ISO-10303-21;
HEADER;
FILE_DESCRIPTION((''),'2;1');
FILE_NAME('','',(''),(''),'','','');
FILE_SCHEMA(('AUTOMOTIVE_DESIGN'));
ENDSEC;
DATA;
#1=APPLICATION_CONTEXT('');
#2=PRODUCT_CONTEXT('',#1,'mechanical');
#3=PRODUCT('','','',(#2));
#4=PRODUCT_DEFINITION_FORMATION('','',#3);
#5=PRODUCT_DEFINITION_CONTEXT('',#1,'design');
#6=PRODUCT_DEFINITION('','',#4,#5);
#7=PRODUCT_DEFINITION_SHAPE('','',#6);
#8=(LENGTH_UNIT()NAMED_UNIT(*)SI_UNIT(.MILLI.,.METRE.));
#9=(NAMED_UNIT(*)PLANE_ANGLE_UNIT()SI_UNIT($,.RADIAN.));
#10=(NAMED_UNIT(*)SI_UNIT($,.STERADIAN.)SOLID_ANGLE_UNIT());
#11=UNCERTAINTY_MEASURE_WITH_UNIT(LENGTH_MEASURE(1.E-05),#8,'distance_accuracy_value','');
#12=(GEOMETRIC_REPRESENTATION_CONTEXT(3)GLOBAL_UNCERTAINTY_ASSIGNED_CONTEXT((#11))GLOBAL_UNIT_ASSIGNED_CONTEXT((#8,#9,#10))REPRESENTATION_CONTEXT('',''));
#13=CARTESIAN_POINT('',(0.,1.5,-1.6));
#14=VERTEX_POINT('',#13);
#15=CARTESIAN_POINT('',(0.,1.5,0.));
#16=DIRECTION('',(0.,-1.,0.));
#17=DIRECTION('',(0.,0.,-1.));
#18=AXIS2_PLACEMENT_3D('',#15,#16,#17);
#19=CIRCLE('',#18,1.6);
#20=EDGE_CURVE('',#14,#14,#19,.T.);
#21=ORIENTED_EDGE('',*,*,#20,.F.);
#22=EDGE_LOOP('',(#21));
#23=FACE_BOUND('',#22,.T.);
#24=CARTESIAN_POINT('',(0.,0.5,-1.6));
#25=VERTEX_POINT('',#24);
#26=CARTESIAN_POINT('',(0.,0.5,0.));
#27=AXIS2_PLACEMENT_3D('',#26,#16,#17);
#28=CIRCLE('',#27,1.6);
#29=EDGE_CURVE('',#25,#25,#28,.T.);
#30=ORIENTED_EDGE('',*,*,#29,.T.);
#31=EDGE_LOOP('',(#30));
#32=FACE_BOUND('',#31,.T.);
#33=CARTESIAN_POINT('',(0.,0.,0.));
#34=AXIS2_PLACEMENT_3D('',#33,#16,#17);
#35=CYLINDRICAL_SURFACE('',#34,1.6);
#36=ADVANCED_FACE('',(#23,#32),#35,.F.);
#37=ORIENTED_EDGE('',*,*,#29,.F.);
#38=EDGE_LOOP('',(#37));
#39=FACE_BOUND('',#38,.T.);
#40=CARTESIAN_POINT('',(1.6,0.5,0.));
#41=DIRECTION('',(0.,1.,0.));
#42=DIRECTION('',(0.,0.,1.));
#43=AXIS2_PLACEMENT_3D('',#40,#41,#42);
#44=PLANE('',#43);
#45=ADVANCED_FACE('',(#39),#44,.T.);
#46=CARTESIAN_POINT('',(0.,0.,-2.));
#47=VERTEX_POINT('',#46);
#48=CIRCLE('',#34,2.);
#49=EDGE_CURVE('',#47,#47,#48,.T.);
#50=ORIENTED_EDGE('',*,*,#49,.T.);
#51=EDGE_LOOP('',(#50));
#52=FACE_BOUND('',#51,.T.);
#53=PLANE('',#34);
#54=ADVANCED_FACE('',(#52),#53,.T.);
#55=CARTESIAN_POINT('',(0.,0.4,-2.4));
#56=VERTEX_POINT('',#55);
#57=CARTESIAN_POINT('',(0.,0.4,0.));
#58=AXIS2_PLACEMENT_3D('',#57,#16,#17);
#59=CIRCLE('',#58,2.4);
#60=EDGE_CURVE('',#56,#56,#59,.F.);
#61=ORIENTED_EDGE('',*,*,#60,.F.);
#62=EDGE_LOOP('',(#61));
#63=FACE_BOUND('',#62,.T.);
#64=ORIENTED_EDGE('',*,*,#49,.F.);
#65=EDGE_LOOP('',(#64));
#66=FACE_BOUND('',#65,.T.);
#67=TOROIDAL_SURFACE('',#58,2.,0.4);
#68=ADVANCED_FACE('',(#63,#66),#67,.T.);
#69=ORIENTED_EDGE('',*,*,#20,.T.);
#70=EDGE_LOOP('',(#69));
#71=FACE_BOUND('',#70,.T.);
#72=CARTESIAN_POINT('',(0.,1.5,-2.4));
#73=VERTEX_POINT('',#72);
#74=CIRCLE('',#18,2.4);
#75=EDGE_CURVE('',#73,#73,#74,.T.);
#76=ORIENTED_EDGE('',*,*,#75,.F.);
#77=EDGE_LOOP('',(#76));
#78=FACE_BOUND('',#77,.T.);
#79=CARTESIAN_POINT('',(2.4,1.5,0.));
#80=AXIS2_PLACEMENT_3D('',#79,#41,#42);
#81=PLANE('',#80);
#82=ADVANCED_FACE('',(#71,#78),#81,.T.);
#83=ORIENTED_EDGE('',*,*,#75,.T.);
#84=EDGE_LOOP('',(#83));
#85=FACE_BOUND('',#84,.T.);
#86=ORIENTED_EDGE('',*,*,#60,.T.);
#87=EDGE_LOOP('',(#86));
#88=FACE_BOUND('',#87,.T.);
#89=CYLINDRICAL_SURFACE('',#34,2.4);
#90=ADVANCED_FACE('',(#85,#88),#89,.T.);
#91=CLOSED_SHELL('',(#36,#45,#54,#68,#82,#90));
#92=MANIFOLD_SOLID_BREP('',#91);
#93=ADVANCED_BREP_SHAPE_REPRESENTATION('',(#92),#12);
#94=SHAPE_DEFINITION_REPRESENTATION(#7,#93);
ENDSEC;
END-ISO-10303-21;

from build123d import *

# Parameters (mm, degrees)
FILLET1_R = 0.4


with BuildPart() as part:
    # Sketch1 → Revolve1 (revolve)
    with BuildSketch(Plane.XY, mode=Mode.PRIVATE) as revolve1_sk:
        Polygon((0, 0), (2.4, 0), (2.4, 1.5), (1.6, 1.5), (1.6, 0.5), (0, 0.5), align=None)
    revolve(revolve1_sk.sketch.rotate(Axis((0, 0, 0), (0, 1, 0)), 90), axis=Axis((0, 0, 0), (0, 1, 0)))

    # Fillet1
    fillet1_edges = [part.edges().sort_by_distance(p)[0] for p in [
        (0, 0, 2.4),
    ]]
    fillet(fillet1_edges, radius=FILLET1_R)


solid = part.part
